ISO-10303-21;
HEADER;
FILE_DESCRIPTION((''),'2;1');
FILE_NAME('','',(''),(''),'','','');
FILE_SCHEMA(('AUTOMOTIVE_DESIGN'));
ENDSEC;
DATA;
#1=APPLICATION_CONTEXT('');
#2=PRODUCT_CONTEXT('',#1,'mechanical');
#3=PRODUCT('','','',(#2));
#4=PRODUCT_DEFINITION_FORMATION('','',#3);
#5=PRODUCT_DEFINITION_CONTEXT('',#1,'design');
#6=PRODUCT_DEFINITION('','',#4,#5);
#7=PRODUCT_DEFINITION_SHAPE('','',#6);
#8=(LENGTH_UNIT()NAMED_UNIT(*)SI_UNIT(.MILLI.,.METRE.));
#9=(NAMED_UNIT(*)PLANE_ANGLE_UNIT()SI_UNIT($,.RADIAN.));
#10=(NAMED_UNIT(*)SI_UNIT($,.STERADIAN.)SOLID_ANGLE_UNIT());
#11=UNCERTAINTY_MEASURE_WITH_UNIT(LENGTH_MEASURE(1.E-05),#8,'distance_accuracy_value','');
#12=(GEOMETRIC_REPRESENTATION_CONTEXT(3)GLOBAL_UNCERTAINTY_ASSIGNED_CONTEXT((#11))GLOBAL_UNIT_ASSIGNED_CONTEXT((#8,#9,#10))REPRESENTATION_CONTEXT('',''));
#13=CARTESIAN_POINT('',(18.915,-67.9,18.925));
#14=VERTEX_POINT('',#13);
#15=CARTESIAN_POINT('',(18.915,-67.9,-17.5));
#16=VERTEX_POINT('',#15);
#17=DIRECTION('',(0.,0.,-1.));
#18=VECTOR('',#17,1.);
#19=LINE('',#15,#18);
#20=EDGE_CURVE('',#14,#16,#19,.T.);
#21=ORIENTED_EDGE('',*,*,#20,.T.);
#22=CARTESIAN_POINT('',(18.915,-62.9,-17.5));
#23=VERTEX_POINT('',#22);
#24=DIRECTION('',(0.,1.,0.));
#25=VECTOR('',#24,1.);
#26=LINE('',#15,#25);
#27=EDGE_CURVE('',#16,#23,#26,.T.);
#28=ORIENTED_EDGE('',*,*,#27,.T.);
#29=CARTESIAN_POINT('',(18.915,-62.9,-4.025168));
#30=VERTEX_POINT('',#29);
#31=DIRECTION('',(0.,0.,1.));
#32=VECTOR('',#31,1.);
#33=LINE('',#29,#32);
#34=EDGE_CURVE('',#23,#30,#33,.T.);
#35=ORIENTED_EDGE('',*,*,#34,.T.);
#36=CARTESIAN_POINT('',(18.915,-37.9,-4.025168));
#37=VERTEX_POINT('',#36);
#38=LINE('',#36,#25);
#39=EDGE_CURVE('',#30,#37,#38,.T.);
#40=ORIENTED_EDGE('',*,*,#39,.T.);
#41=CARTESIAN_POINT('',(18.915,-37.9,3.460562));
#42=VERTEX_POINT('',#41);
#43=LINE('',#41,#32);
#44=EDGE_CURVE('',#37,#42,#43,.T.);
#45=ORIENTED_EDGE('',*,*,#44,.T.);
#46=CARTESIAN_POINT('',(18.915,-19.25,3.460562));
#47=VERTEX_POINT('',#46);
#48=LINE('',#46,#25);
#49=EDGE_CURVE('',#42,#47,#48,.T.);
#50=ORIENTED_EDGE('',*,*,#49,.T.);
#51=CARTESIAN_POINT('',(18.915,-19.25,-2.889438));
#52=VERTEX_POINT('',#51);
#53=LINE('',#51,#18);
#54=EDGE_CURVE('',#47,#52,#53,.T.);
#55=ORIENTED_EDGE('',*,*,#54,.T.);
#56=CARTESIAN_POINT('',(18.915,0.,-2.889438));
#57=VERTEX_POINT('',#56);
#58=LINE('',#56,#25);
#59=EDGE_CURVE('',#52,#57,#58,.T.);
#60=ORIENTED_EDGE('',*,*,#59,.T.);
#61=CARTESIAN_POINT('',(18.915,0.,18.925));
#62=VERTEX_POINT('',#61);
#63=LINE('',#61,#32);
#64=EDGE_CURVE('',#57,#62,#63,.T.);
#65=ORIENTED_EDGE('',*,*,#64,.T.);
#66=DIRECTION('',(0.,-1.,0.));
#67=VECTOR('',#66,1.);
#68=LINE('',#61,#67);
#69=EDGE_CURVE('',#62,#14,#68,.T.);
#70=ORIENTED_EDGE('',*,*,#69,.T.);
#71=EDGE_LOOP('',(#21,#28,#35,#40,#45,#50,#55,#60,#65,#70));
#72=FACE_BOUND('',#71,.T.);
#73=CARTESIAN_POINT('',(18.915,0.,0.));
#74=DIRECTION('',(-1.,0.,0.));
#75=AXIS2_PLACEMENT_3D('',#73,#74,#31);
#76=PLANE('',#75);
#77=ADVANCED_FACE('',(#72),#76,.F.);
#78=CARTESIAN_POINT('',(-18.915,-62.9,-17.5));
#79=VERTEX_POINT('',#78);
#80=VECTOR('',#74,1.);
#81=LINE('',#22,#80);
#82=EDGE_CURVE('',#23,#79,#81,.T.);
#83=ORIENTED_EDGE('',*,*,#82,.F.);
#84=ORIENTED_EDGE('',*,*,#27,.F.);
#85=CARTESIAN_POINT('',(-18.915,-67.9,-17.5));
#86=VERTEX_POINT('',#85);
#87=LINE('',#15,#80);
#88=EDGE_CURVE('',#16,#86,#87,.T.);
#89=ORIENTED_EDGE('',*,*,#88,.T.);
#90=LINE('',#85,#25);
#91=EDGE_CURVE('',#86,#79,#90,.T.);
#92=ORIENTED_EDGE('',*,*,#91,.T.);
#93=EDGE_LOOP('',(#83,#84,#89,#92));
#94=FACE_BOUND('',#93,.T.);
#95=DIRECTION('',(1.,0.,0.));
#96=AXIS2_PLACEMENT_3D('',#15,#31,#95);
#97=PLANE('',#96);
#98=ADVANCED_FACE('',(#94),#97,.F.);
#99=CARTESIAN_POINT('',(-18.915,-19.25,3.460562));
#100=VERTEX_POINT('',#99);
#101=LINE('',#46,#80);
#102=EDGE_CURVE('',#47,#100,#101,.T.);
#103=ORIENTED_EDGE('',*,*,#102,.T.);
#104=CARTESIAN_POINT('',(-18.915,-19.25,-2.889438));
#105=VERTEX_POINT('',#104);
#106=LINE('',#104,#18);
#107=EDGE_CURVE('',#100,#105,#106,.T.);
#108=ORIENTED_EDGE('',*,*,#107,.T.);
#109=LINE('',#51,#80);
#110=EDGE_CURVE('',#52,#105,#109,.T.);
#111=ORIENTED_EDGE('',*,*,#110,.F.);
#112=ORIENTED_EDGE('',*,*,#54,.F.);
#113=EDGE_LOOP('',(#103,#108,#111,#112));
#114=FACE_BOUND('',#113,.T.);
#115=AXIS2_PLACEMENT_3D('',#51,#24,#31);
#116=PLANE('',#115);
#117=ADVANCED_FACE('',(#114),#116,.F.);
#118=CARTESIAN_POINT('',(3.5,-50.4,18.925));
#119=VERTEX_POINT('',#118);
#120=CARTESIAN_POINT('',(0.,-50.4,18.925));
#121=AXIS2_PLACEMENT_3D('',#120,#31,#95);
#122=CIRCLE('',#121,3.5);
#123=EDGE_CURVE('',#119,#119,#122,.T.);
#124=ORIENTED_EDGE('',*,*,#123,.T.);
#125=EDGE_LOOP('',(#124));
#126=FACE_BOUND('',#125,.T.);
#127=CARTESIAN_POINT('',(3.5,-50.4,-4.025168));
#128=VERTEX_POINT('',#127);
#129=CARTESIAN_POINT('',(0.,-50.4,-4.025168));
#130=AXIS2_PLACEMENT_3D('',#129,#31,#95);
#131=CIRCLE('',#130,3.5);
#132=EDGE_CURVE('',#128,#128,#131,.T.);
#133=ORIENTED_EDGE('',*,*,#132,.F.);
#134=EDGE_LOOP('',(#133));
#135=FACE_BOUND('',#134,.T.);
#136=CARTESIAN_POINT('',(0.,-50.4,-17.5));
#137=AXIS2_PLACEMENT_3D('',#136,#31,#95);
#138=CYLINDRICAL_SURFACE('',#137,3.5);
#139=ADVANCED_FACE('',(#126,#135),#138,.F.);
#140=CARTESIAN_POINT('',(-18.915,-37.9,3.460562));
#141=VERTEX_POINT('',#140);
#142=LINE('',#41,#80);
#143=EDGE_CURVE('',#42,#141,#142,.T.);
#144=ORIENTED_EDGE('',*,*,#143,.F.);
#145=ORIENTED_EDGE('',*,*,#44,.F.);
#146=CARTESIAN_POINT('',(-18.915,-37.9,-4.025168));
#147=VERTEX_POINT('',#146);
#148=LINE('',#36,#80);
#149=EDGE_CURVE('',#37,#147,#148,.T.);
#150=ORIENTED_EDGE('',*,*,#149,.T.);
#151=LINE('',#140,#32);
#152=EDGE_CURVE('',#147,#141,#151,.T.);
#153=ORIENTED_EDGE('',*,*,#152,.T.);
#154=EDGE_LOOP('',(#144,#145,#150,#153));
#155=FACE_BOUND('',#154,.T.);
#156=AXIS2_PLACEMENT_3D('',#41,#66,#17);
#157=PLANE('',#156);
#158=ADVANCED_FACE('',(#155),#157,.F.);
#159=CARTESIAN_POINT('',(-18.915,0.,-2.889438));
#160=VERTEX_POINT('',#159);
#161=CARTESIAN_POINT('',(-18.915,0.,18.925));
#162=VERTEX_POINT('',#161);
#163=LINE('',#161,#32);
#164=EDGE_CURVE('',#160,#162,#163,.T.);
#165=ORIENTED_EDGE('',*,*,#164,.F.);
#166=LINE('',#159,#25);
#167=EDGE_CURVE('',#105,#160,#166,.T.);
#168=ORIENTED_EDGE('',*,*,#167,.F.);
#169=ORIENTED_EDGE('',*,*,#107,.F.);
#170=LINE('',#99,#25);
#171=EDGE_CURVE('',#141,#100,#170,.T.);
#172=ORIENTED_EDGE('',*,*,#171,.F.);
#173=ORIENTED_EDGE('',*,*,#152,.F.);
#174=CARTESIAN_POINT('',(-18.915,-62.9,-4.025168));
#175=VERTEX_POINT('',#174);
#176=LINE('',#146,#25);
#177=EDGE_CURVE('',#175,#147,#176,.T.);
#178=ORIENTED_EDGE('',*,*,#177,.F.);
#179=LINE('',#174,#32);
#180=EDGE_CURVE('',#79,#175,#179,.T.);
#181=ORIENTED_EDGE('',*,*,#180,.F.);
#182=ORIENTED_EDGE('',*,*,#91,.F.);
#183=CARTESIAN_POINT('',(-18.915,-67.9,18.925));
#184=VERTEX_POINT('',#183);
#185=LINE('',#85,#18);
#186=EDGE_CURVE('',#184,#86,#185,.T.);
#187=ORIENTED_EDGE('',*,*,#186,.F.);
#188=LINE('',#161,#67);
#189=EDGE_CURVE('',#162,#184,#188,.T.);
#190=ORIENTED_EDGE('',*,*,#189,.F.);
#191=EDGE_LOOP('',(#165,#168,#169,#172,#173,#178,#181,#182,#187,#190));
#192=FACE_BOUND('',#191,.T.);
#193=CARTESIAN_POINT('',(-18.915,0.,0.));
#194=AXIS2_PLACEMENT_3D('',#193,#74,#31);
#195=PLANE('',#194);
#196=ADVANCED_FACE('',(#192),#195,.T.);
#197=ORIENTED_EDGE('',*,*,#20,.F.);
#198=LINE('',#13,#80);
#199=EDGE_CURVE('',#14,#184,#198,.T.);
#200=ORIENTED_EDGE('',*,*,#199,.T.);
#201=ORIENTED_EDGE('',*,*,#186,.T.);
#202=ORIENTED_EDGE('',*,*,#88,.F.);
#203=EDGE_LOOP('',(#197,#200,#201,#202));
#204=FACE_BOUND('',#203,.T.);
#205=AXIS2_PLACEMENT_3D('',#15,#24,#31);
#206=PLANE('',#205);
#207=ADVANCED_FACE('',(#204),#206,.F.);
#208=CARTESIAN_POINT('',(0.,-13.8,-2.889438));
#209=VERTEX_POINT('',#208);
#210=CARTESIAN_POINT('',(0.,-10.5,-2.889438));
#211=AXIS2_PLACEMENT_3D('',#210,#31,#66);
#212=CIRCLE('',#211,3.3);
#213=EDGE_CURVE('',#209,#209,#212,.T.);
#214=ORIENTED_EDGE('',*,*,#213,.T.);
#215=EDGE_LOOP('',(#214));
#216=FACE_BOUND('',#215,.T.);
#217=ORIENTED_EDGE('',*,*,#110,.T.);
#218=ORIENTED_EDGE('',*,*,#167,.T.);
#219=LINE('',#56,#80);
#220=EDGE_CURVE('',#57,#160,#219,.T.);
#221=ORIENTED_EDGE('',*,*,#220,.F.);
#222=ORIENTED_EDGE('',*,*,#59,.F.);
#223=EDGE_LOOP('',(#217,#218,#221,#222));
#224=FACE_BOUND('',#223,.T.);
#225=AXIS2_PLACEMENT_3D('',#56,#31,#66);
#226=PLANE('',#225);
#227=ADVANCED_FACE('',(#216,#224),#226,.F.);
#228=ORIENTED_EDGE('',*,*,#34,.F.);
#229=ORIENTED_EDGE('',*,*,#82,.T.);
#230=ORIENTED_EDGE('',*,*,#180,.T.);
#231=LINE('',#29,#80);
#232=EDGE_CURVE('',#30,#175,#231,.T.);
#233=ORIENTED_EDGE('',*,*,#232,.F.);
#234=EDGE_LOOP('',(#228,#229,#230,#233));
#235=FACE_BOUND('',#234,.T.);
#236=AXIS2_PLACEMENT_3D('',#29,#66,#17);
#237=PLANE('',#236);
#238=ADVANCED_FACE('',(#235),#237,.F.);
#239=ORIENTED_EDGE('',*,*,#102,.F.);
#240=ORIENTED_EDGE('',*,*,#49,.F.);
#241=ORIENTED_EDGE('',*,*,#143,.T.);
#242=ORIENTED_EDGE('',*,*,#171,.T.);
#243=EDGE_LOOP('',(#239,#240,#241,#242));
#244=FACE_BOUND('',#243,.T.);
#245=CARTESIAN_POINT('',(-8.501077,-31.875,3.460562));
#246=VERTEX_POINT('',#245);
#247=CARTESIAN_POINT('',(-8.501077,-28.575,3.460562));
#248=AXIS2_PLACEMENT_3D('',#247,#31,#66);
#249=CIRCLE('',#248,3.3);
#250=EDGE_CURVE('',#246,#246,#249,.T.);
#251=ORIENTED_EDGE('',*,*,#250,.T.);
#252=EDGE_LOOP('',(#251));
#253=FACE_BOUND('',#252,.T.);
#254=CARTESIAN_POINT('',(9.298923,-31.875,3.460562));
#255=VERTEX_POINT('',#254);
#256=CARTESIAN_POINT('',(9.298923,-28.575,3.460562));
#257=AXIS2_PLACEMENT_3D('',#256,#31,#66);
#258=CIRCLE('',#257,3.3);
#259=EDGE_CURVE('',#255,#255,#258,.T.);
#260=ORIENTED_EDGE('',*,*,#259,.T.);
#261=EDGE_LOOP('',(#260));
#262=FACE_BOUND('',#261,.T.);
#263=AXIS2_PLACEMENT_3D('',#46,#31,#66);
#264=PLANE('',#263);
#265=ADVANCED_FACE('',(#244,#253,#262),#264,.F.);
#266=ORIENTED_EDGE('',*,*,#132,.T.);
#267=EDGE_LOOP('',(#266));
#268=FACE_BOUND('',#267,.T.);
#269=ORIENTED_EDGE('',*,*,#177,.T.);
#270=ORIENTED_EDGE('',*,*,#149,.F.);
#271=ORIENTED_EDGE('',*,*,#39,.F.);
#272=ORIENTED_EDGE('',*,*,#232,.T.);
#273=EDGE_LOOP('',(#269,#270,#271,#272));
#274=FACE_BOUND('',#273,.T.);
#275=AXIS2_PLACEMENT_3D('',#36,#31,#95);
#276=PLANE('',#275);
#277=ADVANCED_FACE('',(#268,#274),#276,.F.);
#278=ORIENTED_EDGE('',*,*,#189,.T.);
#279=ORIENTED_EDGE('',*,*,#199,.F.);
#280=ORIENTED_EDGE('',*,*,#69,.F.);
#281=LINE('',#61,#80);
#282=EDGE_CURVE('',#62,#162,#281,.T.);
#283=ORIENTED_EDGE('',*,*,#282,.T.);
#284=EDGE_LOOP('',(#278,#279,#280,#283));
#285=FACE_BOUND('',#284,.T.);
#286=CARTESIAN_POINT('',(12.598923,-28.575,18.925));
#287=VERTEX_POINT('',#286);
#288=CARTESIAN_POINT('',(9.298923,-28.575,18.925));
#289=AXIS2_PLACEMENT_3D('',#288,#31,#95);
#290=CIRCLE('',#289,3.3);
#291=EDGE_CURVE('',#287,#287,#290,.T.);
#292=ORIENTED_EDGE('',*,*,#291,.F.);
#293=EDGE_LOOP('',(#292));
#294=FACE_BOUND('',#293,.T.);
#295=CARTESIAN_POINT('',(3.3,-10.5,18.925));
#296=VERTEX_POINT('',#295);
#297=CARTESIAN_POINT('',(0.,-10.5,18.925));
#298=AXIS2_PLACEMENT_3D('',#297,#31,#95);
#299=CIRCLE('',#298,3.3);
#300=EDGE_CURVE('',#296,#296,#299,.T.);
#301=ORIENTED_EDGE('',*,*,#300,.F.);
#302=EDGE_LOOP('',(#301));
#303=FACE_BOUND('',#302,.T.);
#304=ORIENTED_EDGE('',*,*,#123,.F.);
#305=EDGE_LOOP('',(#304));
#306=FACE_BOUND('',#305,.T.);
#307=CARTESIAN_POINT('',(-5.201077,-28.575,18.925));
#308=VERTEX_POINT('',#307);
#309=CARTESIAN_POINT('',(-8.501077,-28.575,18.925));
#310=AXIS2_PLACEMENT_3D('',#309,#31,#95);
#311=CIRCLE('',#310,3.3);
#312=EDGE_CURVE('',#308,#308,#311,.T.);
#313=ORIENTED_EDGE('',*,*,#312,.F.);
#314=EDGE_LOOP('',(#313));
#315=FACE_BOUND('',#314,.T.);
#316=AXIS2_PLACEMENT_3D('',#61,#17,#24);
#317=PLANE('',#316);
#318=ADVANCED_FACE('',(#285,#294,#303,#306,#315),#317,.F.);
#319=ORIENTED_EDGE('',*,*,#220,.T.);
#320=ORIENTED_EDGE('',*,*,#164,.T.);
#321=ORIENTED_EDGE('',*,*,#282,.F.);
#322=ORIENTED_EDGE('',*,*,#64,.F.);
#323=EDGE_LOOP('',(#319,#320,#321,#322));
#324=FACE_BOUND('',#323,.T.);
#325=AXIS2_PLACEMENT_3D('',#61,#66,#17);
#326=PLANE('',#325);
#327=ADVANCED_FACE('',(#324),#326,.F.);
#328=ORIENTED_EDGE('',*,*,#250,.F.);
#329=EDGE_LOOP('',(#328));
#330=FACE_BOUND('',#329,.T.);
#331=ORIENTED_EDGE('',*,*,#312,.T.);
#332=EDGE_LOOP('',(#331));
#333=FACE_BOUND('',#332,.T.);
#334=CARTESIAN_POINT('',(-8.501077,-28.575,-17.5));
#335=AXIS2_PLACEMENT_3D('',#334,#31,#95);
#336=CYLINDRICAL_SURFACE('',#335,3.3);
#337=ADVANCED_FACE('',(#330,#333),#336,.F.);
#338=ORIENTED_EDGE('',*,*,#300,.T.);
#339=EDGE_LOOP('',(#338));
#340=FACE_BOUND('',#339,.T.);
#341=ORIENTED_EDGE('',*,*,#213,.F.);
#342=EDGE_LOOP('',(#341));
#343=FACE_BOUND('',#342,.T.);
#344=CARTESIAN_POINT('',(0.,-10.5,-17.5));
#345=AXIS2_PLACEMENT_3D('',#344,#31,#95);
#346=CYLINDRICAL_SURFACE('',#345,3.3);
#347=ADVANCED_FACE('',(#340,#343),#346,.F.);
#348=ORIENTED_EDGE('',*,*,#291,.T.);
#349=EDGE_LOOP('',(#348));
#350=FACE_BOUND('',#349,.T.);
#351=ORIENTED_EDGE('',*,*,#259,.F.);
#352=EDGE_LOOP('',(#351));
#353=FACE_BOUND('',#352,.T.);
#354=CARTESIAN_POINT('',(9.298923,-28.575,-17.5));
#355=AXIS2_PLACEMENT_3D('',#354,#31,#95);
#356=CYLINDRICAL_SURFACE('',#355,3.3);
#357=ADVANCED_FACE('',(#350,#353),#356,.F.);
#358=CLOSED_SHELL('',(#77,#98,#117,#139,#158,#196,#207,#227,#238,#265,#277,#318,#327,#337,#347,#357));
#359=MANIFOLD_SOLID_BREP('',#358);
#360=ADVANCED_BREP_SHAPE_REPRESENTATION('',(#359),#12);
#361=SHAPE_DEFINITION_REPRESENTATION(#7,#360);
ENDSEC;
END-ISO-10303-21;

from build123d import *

# Parameters (mm, degrees)
BOSS_EXTRUDE1_DEPTH     = 18.915
CUT_EXTRUDE1_DEPTH      = 73.981798073
CUT_EXTRUDE1_DEPTH_BACK = 73.981798073
SKETCH42_R              = 3.3
SKETCH42_R_2            = 3.5


with BuildPart() as part:
    # Sketch41 → Boss-Extrude1 (new, symmetric)
    with BuildSketch(Plane(origin=(0, 0, 0), x_dir=(0, 0, -1), z_dir=(1, 0, 0))):
        Polygon((4.025167823, -62.9), (17.5, -62.9), (17.5, -67.9), (-18.925, -67.9), (-18.925, 0), (2.88943812, 0), (2.88943812, -19.25), (-3.46056188, -19.25), (-3.46056188, -37.9), (4.025167823, -37.9), align=None)
    extrude(amount=BOSS_EXTRUDE1_DEPTH, both=True)

    # Sketch42 → Cut-Extrude1 (cut, two sides: drawn at the far end of the back side and taken through both)
    with BuildSketch(Plane.XY.offset(-CUT_EXTRUDE1_DEPTH_BACK)):
        with Locations((0, -10.5)):
            Circle(SKETCH42_R)
        with Locations((0, -50.4)):
            Circle(SKETCH42_R_2)
        with Locations((-8.501076983, -28.575)):
            Circle(SKETCH42_R)
        with Locations((9.298923017, -28.575)):
            Circle(SKETCH42_R)
    extrude(amount=CUT_EXTRUDE1_DEPTH + CUT_EXTRUDE1_DEPTH_BACK, mode=Mode.SUBTRACT)


solid = part.part
